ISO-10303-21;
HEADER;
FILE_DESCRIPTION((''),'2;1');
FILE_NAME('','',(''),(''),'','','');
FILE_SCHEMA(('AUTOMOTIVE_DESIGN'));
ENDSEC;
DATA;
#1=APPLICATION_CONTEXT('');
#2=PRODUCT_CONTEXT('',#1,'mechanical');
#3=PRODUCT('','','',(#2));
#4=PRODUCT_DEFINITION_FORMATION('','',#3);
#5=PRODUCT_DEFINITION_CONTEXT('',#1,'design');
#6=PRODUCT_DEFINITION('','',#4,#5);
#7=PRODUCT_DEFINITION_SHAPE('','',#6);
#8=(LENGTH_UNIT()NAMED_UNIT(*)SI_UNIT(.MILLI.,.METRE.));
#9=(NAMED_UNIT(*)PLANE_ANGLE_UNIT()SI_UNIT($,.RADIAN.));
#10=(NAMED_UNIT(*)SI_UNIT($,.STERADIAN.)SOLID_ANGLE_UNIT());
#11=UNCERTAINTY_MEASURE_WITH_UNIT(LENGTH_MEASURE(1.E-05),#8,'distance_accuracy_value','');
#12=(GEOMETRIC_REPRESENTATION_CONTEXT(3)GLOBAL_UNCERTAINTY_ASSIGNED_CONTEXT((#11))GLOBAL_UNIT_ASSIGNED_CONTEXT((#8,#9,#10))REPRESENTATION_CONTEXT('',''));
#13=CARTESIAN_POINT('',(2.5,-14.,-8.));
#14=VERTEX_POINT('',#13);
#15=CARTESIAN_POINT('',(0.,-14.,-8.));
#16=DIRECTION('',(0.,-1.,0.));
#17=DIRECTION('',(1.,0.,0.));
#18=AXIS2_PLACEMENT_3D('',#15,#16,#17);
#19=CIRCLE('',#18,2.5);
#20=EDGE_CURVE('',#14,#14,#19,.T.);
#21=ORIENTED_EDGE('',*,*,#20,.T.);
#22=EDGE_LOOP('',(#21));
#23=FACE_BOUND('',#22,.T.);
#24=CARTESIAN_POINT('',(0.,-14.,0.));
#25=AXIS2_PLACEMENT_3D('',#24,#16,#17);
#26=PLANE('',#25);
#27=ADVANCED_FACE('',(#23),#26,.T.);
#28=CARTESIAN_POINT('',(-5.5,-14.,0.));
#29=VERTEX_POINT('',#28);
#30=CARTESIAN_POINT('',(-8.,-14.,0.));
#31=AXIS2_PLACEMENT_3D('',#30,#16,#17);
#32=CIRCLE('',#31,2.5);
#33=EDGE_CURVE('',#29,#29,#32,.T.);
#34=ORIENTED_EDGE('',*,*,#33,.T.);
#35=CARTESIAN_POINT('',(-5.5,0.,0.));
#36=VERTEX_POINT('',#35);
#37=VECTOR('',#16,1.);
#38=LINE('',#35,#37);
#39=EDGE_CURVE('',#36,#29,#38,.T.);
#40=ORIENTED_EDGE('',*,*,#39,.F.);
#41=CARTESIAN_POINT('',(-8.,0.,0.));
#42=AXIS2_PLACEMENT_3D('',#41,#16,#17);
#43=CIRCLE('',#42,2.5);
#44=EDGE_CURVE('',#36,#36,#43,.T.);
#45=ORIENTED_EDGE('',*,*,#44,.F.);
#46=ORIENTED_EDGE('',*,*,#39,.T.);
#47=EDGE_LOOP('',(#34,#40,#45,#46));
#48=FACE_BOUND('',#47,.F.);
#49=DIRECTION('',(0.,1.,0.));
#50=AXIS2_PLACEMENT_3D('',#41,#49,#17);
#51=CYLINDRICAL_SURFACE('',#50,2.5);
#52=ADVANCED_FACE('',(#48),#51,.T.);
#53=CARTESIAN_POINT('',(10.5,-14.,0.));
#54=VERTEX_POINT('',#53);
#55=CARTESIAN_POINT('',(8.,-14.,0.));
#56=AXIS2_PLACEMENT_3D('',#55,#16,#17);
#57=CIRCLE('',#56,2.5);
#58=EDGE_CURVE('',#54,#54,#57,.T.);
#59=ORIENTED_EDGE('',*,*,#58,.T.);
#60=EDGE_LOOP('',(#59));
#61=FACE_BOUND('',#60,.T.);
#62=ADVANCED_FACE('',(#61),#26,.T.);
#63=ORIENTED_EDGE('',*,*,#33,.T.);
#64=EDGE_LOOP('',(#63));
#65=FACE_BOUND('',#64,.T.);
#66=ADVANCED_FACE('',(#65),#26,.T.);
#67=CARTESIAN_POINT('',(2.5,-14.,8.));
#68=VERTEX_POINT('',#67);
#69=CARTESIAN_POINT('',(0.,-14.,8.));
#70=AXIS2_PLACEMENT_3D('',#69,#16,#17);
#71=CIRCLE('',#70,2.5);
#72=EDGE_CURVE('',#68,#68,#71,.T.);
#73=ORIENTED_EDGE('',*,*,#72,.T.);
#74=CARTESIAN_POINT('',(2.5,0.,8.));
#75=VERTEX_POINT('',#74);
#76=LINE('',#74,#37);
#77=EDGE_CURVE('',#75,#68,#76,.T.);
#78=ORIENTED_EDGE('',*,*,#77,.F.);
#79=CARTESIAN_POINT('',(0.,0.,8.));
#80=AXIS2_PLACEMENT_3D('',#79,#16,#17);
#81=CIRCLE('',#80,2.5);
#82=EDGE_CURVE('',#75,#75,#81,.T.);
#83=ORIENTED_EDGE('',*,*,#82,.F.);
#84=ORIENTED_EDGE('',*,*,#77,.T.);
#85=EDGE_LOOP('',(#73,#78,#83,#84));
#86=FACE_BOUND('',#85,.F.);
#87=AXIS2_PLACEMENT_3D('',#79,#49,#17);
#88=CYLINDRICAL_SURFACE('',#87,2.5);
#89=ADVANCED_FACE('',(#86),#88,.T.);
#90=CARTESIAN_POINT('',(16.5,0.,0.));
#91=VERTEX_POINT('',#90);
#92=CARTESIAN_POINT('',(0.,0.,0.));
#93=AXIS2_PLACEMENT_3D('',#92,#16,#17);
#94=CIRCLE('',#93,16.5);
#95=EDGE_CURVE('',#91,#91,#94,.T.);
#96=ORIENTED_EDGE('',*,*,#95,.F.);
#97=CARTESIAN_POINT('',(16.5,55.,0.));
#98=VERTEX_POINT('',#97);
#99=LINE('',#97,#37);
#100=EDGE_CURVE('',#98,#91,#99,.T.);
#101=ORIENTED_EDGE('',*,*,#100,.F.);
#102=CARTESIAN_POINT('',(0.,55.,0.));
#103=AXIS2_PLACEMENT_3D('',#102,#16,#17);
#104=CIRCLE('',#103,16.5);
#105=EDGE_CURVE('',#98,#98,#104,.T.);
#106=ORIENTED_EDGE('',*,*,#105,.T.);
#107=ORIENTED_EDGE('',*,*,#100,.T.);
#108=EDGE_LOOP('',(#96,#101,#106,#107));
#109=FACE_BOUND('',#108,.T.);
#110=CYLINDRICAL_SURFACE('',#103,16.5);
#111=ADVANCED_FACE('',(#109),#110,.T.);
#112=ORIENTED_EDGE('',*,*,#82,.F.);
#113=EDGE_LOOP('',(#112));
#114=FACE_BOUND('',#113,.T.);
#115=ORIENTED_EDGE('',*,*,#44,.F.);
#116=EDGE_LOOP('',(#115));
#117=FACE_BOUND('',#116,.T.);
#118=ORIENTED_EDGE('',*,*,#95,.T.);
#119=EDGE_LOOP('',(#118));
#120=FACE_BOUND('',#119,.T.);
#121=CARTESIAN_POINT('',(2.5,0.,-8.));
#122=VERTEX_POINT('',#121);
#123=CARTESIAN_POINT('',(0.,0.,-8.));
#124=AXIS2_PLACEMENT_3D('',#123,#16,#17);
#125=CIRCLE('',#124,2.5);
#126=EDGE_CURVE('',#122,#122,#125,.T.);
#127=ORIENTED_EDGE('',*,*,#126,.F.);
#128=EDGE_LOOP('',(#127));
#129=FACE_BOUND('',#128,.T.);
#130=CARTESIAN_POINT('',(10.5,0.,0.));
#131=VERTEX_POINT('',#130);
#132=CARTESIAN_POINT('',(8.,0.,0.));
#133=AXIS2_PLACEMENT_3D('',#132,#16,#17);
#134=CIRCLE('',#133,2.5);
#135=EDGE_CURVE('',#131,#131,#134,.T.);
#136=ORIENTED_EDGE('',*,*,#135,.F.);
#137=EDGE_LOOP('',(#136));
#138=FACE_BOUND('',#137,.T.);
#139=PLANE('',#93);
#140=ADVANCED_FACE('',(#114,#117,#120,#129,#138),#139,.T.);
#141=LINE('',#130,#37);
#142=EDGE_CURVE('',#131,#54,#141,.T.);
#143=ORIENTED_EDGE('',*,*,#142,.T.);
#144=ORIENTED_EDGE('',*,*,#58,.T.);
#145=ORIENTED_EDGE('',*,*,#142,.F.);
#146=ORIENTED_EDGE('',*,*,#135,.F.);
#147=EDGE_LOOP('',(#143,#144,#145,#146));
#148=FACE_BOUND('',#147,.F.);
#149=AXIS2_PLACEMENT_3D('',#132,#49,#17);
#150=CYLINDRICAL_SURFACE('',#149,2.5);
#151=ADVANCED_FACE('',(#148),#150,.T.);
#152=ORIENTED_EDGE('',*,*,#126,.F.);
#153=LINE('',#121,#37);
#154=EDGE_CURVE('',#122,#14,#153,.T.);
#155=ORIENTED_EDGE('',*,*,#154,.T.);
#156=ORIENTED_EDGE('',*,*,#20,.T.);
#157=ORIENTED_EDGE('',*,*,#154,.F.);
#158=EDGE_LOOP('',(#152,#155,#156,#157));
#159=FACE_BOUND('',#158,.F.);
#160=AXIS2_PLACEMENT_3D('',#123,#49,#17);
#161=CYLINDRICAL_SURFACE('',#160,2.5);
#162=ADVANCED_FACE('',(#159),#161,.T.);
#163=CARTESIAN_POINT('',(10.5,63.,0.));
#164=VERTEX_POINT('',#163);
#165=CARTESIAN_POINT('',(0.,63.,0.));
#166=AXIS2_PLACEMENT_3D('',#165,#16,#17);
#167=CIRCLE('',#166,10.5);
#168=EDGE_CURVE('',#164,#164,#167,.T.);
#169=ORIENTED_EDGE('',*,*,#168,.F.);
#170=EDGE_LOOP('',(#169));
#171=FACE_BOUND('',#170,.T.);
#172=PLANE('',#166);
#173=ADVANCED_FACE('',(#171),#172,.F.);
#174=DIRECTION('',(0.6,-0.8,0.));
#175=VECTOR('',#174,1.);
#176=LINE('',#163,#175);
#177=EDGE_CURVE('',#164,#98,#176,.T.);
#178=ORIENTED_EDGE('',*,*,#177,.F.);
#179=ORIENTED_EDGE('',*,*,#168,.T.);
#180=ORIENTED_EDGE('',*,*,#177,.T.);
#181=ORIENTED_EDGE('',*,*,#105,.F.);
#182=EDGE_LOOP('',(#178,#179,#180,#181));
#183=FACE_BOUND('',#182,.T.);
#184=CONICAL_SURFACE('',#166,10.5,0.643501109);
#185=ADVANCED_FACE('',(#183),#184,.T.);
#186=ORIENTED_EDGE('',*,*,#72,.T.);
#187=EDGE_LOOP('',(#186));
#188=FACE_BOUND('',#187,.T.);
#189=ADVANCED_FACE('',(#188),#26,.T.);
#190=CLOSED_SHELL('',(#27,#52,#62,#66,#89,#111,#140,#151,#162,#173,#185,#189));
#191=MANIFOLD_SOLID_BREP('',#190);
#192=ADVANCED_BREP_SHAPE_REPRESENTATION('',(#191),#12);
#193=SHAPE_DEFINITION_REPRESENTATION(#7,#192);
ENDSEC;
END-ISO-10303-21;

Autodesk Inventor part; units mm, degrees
ref_plane "YZ Plane" through (0, 0, 0) normal (1, 0, 0) x (0, 1, 0)
ref_plane "XZ Plane" through (0, 0, 0) normal (0, 1, 0) x (-1, 0, 0)
ref_plane "XY Plane" through (0, 0, 0) normal (0, 0, 1) x (1, 0, 0)
sketch "Sketch1" plane through (0, 0, 0) normal (0, 0, 1) x (1, 0, 0)
  line L0 (-16.5, 55) -> (16.5, 55) construction
  line L1 (16.5, 55) -> (16.5, 0)
  line L2 (16.5, 0) -> (-16.5, 0)
  line L3 (-16.5, 0) -> (-16.5, 55)
  line L4 (-10.5, 63) -> (10.5, 63)
  line L5 (10.5, 63) -> (10.5, 55) construction
  line L6 (10.5, 55) -> (-10.5, 55) construction
  line L7 (-10.5, 55) -> (-10.5, 63) construction
  line L8 (-16.5, 55) -> (-10.5, 63)
  line L9 (10.5, 63) -> (16.5, 55)
  line L10 (0, 63) -> (0, 0)
  point P0 (0, 55)
  dimension "d0" = 33
  dimension "d1" = 55
  dimension "d2" = 21
  dimension "d3" = 63
revolve "Revolution1" add sketch "Sketch1" angle 360 about axis through (0, 63, 0) along (0, -1, 0) contours L1 L2 L10 L4 L9
sketch "Sketch2" plane through (0, 0, 0) normal (0, -1, 0) x (1, 0, 0)
  circle A0 centre (0, -8) radius 2.5
  circle A1 centre (8, 0) radius 2.5
  circle A2 centre (0, 8) radius 2.5
  circle A3 centre (-8, 0) radius 2.5
  point P0 (0, 0)
  dimension "d5" = 5
  dimension "d6" = 8
  dimension "d9" = 360
extrude "Extrusion1" add sketch "Sketch2" along normal blind 14
properties part number "Flashbulb" material "PET Plastic"
